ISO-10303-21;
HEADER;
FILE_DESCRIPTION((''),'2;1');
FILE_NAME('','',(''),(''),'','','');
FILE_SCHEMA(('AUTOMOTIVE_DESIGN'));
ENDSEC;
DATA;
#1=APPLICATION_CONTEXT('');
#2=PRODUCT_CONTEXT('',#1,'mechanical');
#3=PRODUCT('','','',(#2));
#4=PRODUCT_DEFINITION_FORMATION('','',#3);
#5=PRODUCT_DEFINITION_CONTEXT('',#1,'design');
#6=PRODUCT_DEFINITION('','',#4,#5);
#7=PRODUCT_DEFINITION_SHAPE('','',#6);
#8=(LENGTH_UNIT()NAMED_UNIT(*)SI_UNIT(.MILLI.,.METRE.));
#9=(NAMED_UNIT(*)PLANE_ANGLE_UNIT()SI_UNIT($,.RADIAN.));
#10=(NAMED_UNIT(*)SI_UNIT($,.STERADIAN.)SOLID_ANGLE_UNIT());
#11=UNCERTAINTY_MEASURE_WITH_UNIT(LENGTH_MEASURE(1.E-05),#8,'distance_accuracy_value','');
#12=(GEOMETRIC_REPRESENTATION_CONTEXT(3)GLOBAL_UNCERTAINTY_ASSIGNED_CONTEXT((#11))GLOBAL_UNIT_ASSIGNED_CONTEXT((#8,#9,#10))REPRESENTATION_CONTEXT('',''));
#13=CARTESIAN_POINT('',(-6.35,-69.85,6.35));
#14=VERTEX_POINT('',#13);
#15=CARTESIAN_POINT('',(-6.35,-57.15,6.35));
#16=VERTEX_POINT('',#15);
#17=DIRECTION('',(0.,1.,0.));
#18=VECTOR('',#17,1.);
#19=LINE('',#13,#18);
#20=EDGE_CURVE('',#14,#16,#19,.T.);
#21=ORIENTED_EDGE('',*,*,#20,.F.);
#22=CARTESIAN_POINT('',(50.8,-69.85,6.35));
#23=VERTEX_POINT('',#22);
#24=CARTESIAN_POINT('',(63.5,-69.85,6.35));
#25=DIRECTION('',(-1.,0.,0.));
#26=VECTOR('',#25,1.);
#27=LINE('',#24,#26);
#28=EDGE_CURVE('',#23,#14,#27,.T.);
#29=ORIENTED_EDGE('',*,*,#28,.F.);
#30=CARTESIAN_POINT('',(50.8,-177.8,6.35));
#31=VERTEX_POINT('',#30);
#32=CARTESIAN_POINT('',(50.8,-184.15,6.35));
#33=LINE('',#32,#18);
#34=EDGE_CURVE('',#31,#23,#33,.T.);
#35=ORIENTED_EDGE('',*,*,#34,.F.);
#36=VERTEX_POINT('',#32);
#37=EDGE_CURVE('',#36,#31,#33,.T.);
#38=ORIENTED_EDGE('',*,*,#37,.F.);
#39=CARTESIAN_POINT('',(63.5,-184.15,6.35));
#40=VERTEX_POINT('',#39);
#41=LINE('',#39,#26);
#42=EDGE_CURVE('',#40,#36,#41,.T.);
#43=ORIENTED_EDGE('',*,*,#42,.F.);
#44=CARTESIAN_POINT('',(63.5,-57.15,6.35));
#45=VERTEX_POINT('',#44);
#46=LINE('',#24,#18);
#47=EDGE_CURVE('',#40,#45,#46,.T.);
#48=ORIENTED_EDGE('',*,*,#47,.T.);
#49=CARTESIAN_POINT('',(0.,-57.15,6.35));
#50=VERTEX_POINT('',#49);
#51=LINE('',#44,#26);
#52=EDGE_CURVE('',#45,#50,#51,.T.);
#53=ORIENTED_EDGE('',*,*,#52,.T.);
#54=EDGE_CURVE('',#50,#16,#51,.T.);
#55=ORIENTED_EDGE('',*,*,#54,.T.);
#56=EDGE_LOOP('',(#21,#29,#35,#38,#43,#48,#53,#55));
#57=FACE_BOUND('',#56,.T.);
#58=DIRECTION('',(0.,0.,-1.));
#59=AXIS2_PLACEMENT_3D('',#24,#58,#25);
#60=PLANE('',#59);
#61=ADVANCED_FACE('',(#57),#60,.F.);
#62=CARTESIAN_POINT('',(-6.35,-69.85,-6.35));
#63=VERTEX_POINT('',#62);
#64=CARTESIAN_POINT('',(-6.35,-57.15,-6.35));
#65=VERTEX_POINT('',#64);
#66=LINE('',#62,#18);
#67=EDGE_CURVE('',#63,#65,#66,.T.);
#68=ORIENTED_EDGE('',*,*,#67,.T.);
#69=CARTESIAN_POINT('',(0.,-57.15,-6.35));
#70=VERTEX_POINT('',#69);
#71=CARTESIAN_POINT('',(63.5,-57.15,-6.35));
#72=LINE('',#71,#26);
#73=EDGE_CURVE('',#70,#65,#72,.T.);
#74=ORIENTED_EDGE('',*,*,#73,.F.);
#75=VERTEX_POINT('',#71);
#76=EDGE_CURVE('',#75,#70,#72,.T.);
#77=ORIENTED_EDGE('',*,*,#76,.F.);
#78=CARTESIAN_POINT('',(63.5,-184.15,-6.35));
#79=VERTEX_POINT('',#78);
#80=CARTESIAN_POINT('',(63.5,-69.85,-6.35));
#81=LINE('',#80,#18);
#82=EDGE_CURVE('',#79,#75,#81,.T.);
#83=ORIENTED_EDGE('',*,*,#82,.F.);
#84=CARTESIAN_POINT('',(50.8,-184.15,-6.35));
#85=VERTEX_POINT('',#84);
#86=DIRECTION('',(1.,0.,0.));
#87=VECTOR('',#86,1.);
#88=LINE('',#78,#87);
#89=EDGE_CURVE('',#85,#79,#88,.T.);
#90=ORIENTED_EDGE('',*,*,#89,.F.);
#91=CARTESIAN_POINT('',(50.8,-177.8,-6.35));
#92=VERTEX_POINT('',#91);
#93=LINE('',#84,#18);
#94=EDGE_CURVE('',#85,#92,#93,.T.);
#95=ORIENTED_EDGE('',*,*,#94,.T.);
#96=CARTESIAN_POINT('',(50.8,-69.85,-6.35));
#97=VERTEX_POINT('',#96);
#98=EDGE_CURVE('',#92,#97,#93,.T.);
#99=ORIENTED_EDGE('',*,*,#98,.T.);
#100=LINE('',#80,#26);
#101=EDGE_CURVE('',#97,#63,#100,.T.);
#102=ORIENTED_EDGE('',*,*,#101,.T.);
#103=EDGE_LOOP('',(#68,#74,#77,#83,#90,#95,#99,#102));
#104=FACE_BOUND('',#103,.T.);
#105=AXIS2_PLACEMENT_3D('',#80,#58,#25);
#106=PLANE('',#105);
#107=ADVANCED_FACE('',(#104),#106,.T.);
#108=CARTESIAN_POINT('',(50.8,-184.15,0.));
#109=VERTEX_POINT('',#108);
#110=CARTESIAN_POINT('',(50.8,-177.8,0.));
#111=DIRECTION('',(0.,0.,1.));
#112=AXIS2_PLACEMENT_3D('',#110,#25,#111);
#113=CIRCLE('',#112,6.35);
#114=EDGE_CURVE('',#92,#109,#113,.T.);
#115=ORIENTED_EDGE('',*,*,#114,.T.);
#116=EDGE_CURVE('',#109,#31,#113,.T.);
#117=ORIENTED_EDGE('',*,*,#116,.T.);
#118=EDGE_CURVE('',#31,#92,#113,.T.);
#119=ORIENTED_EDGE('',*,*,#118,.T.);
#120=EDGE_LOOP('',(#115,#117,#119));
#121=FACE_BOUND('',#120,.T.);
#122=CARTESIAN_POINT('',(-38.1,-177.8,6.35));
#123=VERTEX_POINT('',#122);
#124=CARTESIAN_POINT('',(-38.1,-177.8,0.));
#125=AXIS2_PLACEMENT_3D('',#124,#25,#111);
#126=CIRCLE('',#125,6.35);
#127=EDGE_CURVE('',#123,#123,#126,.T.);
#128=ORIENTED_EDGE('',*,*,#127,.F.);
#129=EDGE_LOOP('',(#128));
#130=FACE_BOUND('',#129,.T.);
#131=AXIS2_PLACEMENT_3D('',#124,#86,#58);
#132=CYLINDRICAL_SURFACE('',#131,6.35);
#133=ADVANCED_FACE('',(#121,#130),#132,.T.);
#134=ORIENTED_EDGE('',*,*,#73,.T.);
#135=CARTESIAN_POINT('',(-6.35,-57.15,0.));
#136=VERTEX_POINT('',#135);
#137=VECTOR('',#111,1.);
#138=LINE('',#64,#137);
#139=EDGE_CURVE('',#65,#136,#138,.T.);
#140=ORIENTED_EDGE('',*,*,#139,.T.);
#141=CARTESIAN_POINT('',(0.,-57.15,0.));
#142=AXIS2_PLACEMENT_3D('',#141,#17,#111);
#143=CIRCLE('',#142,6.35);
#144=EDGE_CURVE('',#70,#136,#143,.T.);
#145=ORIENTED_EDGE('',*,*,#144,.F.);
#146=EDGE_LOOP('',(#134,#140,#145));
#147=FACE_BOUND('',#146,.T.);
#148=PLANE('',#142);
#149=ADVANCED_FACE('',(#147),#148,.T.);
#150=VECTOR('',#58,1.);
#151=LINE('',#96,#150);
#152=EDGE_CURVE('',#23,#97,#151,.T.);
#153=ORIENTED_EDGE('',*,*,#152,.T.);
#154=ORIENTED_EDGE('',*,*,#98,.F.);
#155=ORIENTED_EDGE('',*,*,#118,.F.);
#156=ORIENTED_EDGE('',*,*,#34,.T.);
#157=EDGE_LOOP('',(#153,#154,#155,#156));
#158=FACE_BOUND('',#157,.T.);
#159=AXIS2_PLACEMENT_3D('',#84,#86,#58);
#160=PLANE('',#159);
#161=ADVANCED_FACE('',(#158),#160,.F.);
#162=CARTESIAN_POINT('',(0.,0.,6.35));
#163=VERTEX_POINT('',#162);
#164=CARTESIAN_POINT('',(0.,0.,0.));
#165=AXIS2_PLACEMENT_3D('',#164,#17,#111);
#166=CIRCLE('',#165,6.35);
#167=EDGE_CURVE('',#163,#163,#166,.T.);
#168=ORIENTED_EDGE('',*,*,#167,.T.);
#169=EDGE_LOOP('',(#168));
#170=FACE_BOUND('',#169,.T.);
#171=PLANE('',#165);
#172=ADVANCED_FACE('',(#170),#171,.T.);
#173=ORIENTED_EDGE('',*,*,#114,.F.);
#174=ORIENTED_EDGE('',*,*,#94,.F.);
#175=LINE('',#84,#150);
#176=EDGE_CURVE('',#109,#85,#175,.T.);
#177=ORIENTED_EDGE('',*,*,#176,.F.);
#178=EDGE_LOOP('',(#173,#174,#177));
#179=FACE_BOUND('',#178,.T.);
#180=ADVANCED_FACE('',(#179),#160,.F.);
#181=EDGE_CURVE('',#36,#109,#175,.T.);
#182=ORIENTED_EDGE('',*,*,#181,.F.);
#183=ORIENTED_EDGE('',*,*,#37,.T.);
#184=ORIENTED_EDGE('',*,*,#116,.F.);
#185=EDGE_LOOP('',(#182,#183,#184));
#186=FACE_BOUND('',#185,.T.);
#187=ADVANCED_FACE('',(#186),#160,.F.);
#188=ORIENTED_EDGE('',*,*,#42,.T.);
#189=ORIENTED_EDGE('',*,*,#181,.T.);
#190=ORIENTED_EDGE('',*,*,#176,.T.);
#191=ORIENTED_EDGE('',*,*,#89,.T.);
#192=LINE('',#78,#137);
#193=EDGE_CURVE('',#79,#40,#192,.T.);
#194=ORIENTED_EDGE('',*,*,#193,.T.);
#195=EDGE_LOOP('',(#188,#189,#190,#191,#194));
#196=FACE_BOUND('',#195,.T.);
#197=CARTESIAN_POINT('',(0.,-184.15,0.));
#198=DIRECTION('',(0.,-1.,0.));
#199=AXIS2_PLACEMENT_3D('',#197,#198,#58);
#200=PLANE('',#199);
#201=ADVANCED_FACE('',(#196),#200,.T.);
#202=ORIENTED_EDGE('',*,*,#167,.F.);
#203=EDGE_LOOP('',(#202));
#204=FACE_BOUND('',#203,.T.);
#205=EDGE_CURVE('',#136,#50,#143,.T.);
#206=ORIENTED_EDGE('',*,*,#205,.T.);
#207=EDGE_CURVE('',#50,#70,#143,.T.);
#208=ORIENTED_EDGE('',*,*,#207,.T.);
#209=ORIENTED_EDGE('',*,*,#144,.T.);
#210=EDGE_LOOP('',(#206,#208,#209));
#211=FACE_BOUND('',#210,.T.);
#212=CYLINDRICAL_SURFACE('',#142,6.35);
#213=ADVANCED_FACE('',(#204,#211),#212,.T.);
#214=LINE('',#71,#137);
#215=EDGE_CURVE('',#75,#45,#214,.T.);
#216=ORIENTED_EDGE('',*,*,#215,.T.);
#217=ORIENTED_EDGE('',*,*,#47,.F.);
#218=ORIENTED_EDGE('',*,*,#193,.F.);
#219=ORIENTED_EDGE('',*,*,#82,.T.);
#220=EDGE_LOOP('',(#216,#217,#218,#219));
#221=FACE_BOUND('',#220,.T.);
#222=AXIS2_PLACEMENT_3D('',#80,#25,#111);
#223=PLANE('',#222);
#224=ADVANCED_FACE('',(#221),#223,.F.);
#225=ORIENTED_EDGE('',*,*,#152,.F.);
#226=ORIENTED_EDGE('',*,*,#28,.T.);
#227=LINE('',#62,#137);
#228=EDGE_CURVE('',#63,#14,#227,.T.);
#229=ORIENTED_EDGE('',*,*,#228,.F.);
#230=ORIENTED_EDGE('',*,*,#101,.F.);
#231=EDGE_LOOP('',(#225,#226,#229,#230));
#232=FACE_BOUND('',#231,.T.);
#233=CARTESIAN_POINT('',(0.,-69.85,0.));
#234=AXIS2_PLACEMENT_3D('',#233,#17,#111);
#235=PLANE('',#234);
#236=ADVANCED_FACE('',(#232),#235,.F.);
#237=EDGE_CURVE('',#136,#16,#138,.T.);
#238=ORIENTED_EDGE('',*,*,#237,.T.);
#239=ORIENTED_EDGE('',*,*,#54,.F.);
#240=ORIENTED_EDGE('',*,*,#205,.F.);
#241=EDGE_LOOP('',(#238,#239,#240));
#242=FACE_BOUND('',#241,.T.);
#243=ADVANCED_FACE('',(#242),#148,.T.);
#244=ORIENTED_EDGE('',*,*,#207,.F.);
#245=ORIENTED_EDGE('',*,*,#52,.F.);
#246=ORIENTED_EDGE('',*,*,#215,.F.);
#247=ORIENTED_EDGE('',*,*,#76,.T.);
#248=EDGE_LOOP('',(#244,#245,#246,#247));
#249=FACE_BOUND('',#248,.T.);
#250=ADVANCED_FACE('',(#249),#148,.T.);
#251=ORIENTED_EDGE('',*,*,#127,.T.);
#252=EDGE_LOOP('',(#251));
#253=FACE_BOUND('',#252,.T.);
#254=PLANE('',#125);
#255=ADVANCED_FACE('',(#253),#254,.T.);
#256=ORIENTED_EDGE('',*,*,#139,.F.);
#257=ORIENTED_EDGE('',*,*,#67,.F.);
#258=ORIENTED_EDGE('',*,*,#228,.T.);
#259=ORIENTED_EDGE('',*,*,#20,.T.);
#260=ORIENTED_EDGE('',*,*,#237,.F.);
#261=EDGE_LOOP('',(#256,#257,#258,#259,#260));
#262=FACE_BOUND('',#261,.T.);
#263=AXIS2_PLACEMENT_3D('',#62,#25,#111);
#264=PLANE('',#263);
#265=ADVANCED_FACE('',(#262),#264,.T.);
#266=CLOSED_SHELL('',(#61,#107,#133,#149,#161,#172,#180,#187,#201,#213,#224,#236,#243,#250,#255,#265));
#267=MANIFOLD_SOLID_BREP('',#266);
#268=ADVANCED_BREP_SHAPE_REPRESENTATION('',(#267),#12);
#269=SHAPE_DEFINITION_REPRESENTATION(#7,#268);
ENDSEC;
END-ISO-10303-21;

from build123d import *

# Parameters (mm, degrees)
SKETCH2_R           = 6.35
BOSS_EXTRUDE1_DEPTH = 57.15
SKETCH4_W           = 69.85
SKETCH4_H           = 12.7
BOSS_EXTRUDE6_DEPTH = 12.7
SKETCH8_W           = 12.7
SKETCH8_H           = 12.7
BOSS_EXTRUDE7_DEPTH = 114.3
SKETCH9_R           = 6.35
BOSS_EXTRUDE8_DEPTH = 88.9


with BuildPart() as part:
    # Sketch2 → Boss-Extrude1 (new body)
    with BuildSketch(Plane(origin=(0, 0, 0), x_dir=(1, 0, 0), z_dir=(0, 1, 0))):
        with Locations(Location((0, 0, 0), (0, 0, 270))):
            Circle(SKETCH2_R)
    extrude(amount=-BOSS_EXTRUDE1_DEPTH)

    # Sketch4 → Boss-Extrude6 (add)
    with BuildSketch(Plane.XZ.offset(57.15)):
        with Locations((28.575, 0)):
            Rectangle(SKETCH4_W, SKETCH4_H)
    extrude(amount=BOSS_EXTRUDE6_DEPTH)

    # Sketch8 → Boss-Extrude7 (add)
    with BuildSketch(Plane.XZ.offset(69.85)):
        with Locations((57.15, 0)):
            Rectangle(SKETCH8_W, SKETCH8_H)
    extrude(amount=BOSS_EXTRUDE7_DEPTH)

    # Sketch9 → Boss-Extrude8 (add)
    with BuildSketch(Plane.ZY.offset(-50.8)):
        with Locations((0, -177.8)):
            Circle(SKETCH9_R)
    extrude(amount=BOSS_EXTRUDE8_DEPTH)


solid = part.part
